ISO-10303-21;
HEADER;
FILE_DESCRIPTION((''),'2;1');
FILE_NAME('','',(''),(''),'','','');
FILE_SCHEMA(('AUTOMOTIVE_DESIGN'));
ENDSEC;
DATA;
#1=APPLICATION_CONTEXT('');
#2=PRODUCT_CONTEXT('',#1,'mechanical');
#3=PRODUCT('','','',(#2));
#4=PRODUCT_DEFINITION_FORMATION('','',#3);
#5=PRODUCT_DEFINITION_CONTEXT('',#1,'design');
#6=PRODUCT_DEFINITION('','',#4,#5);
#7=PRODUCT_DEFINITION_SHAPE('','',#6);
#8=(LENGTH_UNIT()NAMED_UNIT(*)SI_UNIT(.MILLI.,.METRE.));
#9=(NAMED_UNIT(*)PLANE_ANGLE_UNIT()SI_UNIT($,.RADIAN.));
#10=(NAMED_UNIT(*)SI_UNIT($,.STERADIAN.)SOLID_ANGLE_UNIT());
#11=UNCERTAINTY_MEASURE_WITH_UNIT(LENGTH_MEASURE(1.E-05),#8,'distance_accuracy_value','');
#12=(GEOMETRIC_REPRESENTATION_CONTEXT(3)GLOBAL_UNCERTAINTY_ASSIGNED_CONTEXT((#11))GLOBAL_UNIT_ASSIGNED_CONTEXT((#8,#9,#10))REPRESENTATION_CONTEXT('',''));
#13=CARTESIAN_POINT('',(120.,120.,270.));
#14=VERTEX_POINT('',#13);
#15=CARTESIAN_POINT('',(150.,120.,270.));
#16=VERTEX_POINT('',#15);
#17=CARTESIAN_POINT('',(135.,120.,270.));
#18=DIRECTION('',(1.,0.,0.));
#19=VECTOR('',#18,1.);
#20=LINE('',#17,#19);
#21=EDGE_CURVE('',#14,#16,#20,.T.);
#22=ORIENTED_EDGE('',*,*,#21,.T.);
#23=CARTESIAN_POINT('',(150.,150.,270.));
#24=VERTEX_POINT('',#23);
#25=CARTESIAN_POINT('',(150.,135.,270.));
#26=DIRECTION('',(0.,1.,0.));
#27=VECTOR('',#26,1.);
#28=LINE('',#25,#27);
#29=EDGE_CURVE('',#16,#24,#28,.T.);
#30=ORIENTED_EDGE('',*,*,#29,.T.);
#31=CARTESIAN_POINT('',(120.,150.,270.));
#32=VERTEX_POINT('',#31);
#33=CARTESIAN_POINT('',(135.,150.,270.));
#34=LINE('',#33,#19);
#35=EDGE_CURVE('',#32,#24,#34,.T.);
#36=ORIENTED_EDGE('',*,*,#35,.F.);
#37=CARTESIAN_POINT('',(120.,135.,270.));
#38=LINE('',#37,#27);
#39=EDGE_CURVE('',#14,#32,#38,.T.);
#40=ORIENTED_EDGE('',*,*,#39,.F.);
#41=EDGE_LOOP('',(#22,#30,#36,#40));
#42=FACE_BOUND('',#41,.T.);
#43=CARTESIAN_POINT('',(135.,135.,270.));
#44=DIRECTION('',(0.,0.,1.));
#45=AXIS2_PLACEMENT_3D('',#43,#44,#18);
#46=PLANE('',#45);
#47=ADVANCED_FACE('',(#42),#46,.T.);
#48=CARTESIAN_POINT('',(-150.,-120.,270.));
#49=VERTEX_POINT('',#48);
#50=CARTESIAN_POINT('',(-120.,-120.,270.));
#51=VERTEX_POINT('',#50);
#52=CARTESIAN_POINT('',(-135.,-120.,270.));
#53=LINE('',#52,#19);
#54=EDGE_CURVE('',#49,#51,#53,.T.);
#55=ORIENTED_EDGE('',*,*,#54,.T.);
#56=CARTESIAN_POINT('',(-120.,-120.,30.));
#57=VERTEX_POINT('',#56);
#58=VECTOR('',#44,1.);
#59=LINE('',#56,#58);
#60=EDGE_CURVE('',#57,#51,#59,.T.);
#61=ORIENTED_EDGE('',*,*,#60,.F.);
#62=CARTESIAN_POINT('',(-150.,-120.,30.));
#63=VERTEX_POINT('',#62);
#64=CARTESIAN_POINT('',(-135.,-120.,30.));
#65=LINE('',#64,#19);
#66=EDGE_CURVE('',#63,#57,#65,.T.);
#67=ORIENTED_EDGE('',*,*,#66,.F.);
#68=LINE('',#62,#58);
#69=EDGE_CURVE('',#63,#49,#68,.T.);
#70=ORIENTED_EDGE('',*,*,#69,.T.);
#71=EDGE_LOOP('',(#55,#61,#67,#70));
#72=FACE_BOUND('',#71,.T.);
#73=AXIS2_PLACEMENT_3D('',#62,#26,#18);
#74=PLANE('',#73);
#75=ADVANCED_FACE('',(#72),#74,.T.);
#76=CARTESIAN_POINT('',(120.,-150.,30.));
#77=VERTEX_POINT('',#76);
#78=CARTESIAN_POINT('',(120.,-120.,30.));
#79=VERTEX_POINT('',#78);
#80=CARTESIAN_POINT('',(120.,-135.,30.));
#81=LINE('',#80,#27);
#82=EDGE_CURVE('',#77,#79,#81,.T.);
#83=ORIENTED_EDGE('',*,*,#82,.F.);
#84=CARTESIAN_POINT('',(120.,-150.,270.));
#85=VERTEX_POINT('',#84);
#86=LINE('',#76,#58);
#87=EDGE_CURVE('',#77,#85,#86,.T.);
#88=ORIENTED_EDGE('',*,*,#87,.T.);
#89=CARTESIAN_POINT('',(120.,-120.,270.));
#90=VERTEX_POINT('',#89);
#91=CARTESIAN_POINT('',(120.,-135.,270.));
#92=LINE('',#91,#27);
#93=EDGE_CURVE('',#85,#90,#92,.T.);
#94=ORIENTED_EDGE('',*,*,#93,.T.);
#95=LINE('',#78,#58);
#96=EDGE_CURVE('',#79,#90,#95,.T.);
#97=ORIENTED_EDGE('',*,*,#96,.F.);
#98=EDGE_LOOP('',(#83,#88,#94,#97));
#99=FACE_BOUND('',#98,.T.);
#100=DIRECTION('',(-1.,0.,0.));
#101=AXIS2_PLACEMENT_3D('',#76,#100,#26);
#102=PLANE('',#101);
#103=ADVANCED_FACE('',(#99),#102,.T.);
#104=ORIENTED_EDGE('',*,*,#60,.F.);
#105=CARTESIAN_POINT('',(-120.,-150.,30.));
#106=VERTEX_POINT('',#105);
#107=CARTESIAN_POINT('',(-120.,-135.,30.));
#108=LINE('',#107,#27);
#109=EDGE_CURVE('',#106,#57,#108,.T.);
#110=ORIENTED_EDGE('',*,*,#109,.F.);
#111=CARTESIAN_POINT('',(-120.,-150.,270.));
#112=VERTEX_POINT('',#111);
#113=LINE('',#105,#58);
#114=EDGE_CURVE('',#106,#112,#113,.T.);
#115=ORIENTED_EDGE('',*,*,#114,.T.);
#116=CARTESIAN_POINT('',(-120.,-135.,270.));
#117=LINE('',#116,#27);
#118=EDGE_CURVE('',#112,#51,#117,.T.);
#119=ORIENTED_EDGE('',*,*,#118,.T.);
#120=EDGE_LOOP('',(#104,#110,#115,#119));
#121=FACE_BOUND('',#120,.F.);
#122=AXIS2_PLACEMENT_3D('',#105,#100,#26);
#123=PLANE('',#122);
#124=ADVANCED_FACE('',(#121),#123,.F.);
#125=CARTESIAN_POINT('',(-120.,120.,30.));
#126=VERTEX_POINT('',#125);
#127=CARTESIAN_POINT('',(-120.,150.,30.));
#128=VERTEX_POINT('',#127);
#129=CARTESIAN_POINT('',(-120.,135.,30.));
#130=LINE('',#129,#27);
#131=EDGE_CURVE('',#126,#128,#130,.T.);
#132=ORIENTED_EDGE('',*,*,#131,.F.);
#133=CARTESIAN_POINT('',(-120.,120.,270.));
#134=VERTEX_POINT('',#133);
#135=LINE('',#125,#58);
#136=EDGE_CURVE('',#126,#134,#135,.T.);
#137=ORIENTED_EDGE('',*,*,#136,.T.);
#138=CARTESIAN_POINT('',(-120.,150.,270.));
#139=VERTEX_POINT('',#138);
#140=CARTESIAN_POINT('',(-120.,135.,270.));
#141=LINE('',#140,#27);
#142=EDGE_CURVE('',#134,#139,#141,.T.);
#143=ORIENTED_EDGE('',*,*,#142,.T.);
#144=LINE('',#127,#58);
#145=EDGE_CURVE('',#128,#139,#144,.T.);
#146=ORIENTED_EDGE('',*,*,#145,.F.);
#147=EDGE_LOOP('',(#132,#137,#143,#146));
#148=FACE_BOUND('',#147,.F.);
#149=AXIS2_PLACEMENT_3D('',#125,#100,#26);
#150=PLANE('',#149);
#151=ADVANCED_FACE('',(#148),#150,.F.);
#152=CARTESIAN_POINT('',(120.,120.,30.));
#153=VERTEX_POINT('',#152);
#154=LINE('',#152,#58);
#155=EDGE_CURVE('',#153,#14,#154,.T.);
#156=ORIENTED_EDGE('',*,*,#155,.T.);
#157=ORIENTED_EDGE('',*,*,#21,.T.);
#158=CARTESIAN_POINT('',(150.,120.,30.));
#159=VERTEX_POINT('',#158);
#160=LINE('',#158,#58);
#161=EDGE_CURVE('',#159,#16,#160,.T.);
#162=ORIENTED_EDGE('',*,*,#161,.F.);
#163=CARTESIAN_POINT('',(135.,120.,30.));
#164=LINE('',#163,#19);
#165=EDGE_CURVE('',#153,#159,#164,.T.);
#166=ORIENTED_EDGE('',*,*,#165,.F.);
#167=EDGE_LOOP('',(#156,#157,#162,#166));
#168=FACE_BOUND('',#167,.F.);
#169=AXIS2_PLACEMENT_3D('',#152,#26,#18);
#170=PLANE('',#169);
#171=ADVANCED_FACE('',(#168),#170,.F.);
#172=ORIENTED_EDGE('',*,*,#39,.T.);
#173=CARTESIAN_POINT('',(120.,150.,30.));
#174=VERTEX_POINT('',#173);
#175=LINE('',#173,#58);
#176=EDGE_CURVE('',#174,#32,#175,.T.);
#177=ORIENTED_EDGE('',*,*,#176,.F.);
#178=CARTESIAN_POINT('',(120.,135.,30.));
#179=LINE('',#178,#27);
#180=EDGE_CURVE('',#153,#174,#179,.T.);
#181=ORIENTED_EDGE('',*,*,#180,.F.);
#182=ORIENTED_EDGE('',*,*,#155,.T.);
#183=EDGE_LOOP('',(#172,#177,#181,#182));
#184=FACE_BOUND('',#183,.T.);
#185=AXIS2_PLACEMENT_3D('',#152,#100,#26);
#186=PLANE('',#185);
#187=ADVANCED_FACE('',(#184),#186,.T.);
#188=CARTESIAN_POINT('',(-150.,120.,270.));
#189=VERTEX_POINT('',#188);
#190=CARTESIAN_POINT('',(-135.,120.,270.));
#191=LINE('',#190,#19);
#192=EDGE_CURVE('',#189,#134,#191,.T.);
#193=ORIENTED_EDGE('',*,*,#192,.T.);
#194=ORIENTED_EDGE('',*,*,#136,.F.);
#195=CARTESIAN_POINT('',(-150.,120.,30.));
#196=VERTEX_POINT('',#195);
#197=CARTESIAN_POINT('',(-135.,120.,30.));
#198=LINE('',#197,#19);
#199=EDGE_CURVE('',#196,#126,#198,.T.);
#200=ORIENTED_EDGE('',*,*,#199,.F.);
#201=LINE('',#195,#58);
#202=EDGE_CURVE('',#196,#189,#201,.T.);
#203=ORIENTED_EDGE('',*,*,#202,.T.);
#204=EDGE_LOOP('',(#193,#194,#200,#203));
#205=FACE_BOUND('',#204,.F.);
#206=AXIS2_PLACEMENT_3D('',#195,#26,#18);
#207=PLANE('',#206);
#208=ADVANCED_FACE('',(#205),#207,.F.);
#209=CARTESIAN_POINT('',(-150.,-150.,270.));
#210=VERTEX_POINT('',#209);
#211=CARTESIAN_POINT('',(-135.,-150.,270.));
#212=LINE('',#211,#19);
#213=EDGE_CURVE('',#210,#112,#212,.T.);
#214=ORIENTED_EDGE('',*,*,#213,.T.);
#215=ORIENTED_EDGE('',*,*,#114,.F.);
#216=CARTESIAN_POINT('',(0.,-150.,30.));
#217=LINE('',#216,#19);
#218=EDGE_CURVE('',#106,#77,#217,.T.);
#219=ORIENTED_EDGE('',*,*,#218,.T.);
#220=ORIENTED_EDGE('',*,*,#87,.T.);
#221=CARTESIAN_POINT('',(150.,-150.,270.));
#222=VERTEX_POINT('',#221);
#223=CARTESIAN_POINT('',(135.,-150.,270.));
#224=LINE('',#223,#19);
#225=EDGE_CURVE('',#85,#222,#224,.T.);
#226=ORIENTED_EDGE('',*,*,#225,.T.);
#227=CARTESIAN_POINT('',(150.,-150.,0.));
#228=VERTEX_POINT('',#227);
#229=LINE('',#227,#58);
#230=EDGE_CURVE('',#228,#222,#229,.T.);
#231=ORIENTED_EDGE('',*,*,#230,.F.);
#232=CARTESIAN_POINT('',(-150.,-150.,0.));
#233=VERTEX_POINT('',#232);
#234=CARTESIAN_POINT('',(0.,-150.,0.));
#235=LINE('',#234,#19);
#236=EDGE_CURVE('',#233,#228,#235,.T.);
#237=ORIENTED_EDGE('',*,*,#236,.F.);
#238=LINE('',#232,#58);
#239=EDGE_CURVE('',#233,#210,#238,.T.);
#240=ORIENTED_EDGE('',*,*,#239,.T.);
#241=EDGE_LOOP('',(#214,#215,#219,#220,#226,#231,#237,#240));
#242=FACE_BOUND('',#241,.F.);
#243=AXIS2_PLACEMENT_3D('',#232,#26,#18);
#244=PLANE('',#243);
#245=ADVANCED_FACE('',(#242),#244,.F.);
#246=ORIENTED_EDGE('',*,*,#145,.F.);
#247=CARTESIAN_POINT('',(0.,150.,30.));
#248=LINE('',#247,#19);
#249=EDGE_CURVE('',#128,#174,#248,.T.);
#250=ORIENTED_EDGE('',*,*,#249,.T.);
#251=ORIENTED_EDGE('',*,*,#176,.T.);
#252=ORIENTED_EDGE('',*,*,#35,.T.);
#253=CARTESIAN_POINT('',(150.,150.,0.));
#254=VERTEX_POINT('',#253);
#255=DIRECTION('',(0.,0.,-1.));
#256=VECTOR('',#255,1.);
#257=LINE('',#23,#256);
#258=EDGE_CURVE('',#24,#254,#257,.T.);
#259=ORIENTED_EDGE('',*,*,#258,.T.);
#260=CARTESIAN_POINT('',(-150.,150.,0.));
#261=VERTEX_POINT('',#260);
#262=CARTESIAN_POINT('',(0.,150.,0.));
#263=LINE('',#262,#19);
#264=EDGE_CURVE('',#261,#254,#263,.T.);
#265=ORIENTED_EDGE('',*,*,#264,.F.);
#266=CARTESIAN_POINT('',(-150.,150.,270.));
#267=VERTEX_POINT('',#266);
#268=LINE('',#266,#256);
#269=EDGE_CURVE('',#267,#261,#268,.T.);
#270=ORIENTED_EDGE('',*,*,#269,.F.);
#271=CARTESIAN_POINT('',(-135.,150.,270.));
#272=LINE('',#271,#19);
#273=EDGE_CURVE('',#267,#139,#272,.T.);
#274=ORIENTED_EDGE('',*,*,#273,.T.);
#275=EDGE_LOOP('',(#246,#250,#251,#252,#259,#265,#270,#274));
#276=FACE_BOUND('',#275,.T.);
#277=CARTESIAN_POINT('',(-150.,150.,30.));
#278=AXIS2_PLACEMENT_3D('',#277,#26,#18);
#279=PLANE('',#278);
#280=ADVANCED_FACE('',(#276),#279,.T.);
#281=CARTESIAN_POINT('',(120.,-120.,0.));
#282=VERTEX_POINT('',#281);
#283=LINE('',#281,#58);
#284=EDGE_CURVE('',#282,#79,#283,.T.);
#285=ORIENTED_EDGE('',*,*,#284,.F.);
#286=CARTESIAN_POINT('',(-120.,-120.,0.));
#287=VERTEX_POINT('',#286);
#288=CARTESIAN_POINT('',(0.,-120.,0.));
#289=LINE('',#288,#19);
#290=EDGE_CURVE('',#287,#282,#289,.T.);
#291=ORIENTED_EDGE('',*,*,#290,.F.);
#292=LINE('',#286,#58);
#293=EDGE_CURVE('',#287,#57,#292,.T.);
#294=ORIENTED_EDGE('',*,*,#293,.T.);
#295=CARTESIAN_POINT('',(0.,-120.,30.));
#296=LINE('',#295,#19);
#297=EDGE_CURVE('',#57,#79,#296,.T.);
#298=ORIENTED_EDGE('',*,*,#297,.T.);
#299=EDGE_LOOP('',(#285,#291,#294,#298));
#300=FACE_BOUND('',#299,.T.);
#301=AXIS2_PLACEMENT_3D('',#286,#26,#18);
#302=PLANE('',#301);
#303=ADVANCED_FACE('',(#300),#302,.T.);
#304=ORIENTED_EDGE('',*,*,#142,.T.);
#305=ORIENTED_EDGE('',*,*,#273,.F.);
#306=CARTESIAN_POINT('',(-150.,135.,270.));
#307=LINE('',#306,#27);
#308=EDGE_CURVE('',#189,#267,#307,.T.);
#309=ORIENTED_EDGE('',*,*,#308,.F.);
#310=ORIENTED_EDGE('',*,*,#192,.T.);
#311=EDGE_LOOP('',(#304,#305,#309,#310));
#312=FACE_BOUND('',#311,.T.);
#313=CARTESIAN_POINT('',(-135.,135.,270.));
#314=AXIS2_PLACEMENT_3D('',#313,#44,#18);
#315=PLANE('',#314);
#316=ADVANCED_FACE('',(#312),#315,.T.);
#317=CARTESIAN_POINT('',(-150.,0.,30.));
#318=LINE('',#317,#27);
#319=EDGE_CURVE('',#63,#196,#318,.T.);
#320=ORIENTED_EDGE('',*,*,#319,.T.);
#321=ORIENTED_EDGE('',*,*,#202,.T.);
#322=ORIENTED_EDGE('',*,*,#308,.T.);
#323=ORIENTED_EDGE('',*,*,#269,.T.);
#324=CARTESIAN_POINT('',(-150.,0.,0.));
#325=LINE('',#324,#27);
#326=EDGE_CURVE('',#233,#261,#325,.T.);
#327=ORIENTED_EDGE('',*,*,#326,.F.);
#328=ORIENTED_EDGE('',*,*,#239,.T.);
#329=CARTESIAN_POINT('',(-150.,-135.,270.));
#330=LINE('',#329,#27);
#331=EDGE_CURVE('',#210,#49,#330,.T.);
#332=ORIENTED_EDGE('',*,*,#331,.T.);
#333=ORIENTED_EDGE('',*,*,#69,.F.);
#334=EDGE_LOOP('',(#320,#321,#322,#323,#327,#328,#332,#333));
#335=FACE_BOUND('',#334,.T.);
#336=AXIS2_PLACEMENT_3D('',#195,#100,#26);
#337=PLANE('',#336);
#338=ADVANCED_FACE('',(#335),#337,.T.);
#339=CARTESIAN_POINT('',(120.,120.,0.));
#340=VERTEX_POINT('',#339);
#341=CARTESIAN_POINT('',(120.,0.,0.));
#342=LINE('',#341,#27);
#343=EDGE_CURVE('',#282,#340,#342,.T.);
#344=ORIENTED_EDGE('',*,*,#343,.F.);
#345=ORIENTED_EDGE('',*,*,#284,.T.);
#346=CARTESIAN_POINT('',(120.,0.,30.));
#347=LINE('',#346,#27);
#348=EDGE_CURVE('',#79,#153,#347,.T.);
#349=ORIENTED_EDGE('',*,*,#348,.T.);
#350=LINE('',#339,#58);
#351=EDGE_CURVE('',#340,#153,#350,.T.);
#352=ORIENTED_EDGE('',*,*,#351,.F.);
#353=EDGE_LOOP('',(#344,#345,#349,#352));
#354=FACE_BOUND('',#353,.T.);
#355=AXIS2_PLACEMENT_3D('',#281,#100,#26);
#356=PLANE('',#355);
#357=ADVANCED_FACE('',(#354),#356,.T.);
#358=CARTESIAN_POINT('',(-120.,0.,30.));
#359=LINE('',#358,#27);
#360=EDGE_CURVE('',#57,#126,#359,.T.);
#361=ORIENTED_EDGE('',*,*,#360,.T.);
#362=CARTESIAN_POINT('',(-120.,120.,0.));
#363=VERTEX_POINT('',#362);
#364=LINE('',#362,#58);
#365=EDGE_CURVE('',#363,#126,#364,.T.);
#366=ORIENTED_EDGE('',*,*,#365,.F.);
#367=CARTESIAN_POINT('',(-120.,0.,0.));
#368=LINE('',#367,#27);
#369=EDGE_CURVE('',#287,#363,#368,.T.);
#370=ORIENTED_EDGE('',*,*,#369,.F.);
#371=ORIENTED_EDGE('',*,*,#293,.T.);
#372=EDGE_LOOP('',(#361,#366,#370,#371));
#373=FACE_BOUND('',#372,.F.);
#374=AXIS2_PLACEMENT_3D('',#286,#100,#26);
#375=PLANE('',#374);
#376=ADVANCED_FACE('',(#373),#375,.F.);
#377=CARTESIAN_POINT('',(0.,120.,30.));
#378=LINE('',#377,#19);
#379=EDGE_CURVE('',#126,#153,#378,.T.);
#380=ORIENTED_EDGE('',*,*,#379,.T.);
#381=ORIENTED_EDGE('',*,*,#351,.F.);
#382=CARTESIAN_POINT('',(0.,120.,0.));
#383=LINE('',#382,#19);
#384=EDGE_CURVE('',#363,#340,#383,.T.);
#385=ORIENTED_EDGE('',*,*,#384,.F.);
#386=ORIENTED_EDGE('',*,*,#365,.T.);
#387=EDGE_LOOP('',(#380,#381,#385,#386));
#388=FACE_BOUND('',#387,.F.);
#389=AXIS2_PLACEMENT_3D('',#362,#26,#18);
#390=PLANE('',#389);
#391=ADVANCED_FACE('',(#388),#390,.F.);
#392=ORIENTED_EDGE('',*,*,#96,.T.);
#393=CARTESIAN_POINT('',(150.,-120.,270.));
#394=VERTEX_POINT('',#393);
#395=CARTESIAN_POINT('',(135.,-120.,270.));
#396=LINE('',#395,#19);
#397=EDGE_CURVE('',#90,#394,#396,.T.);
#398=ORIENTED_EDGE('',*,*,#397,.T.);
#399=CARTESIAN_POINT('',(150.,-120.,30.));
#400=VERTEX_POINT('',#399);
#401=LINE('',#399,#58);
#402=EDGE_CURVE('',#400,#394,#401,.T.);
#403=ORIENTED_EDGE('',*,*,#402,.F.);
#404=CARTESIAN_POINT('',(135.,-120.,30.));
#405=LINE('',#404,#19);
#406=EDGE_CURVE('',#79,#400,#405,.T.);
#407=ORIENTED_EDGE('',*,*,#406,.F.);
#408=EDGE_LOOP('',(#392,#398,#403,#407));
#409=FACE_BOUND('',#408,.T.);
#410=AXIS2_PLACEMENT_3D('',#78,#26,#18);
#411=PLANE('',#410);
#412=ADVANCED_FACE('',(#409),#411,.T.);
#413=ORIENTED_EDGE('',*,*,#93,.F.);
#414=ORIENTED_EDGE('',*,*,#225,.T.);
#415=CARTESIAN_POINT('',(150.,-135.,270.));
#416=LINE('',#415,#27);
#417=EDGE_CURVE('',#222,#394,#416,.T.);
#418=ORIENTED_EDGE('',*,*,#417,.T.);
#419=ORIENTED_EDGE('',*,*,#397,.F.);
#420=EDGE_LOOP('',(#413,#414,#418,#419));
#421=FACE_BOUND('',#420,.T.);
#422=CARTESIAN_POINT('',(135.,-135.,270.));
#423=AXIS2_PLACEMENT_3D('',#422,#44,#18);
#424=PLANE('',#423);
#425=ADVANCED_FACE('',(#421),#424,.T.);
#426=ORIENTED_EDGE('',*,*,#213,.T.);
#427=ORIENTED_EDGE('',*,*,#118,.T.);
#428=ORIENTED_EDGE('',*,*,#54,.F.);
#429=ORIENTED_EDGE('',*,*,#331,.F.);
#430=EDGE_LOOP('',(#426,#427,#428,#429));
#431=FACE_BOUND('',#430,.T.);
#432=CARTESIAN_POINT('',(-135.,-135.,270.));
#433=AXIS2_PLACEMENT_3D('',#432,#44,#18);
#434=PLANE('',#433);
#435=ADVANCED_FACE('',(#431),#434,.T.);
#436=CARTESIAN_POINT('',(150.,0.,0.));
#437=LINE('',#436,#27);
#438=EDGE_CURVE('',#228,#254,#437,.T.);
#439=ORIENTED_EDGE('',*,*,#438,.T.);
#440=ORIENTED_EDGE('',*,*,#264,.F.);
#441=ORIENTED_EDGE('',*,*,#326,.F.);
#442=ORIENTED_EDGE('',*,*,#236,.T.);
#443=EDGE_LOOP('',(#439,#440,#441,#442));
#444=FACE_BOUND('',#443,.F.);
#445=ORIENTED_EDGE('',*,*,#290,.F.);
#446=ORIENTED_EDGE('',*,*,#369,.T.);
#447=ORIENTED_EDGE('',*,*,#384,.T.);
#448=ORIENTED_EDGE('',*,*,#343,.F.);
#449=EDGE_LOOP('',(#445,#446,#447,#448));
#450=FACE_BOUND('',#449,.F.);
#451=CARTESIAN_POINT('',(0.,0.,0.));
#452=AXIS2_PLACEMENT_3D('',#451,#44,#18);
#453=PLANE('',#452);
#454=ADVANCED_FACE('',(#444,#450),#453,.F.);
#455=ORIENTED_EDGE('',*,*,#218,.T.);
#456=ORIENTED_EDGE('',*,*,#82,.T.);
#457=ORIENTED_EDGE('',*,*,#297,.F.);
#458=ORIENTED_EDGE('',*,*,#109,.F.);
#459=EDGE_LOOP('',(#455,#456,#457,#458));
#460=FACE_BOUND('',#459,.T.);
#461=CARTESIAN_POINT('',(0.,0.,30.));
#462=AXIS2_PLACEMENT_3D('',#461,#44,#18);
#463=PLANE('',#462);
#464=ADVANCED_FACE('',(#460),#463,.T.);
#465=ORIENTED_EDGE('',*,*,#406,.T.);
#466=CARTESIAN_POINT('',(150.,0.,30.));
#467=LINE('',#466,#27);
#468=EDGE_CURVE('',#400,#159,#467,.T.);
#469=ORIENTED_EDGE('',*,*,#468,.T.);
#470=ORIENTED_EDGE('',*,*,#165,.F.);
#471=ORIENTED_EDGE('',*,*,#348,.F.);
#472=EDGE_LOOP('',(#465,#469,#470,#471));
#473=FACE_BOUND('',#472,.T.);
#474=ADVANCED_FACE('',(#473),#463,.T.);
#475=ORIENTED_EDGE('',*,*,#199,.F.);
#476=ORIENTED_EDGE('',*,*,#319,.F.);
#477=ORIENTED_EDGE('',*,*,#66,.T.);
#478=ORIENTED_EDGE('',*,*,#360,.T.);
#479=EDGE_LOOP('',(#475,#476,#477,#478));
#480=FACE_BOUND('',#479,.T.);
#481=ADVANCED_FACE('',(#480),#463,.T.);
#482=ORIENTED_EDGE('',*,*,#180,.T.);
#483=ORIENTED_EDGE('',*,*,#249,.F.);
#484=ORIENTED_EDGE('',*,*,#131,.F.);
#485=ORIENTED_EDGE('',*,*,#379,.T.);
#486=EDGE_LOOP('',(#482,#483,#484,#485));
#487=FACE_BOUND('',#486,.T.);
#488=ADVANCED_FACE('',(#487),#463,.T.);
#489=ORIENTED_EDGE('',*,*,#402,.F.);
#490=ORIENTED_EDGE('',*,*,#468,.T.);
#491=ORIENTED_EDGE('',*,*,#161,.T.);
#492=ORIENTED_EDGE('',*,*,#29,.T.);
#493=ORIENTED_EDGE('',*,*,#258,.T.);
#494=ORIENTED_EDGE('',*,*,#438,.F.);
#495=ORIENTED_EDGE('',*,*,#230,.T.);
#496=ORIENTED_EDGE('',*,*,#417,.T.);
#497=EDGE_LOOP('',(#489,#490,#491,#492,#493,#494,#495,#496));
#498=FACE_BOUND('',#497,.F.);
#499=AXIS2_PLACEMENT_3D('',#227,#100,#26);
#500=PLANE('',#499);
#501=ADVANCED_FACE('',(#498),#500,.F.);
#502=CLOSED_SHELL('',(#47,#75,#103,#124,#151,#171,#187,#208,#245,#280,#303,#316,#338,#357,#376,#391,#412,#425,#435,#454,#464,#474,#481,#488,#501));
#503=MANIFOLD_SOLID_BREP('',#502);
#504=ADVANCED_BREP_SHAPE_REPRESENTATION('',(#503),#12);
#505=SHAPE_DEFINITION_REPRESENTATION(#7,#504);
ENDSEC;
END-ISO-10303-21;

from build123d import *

# Parameters (mm, degrees)
F0_W     = 300
F0_H     = 300
F0_W_2   = 240
F0_H_2   = 240
F1_DEPTH = 30
F2_W     = 30
F2_H     = 30
F3_DEPTH = 240


with BuildPart() as f1:
    # F0 (on Top) → F1 (new body)
    with BuildSketch(Plane.XY):
        Rectangle(F0_W, F0_H)
        Rectangle(F0_W_2, F0_H_2, mode=Mode.SUBTRACT)
    extrude(amount=F1_DEPTH)

    # F2 (on face) → F3 (join)
    with BuildSketch(Plane.XY.offset(30)):
        with Locations((-135, 135)):
            Rectangle(F2_W, F2_H)
        with Locations((135, 135)):
            Rectangle(F2_W, F2_H)
        with Locations((135, -135)):
            Rectangle(F2_W, F2_H)
        with Locations((-135, -135)):
            Rectangle(F2_W, F2_H)
    extrude(amount=F3_DEPTH)


solid = f1.part
